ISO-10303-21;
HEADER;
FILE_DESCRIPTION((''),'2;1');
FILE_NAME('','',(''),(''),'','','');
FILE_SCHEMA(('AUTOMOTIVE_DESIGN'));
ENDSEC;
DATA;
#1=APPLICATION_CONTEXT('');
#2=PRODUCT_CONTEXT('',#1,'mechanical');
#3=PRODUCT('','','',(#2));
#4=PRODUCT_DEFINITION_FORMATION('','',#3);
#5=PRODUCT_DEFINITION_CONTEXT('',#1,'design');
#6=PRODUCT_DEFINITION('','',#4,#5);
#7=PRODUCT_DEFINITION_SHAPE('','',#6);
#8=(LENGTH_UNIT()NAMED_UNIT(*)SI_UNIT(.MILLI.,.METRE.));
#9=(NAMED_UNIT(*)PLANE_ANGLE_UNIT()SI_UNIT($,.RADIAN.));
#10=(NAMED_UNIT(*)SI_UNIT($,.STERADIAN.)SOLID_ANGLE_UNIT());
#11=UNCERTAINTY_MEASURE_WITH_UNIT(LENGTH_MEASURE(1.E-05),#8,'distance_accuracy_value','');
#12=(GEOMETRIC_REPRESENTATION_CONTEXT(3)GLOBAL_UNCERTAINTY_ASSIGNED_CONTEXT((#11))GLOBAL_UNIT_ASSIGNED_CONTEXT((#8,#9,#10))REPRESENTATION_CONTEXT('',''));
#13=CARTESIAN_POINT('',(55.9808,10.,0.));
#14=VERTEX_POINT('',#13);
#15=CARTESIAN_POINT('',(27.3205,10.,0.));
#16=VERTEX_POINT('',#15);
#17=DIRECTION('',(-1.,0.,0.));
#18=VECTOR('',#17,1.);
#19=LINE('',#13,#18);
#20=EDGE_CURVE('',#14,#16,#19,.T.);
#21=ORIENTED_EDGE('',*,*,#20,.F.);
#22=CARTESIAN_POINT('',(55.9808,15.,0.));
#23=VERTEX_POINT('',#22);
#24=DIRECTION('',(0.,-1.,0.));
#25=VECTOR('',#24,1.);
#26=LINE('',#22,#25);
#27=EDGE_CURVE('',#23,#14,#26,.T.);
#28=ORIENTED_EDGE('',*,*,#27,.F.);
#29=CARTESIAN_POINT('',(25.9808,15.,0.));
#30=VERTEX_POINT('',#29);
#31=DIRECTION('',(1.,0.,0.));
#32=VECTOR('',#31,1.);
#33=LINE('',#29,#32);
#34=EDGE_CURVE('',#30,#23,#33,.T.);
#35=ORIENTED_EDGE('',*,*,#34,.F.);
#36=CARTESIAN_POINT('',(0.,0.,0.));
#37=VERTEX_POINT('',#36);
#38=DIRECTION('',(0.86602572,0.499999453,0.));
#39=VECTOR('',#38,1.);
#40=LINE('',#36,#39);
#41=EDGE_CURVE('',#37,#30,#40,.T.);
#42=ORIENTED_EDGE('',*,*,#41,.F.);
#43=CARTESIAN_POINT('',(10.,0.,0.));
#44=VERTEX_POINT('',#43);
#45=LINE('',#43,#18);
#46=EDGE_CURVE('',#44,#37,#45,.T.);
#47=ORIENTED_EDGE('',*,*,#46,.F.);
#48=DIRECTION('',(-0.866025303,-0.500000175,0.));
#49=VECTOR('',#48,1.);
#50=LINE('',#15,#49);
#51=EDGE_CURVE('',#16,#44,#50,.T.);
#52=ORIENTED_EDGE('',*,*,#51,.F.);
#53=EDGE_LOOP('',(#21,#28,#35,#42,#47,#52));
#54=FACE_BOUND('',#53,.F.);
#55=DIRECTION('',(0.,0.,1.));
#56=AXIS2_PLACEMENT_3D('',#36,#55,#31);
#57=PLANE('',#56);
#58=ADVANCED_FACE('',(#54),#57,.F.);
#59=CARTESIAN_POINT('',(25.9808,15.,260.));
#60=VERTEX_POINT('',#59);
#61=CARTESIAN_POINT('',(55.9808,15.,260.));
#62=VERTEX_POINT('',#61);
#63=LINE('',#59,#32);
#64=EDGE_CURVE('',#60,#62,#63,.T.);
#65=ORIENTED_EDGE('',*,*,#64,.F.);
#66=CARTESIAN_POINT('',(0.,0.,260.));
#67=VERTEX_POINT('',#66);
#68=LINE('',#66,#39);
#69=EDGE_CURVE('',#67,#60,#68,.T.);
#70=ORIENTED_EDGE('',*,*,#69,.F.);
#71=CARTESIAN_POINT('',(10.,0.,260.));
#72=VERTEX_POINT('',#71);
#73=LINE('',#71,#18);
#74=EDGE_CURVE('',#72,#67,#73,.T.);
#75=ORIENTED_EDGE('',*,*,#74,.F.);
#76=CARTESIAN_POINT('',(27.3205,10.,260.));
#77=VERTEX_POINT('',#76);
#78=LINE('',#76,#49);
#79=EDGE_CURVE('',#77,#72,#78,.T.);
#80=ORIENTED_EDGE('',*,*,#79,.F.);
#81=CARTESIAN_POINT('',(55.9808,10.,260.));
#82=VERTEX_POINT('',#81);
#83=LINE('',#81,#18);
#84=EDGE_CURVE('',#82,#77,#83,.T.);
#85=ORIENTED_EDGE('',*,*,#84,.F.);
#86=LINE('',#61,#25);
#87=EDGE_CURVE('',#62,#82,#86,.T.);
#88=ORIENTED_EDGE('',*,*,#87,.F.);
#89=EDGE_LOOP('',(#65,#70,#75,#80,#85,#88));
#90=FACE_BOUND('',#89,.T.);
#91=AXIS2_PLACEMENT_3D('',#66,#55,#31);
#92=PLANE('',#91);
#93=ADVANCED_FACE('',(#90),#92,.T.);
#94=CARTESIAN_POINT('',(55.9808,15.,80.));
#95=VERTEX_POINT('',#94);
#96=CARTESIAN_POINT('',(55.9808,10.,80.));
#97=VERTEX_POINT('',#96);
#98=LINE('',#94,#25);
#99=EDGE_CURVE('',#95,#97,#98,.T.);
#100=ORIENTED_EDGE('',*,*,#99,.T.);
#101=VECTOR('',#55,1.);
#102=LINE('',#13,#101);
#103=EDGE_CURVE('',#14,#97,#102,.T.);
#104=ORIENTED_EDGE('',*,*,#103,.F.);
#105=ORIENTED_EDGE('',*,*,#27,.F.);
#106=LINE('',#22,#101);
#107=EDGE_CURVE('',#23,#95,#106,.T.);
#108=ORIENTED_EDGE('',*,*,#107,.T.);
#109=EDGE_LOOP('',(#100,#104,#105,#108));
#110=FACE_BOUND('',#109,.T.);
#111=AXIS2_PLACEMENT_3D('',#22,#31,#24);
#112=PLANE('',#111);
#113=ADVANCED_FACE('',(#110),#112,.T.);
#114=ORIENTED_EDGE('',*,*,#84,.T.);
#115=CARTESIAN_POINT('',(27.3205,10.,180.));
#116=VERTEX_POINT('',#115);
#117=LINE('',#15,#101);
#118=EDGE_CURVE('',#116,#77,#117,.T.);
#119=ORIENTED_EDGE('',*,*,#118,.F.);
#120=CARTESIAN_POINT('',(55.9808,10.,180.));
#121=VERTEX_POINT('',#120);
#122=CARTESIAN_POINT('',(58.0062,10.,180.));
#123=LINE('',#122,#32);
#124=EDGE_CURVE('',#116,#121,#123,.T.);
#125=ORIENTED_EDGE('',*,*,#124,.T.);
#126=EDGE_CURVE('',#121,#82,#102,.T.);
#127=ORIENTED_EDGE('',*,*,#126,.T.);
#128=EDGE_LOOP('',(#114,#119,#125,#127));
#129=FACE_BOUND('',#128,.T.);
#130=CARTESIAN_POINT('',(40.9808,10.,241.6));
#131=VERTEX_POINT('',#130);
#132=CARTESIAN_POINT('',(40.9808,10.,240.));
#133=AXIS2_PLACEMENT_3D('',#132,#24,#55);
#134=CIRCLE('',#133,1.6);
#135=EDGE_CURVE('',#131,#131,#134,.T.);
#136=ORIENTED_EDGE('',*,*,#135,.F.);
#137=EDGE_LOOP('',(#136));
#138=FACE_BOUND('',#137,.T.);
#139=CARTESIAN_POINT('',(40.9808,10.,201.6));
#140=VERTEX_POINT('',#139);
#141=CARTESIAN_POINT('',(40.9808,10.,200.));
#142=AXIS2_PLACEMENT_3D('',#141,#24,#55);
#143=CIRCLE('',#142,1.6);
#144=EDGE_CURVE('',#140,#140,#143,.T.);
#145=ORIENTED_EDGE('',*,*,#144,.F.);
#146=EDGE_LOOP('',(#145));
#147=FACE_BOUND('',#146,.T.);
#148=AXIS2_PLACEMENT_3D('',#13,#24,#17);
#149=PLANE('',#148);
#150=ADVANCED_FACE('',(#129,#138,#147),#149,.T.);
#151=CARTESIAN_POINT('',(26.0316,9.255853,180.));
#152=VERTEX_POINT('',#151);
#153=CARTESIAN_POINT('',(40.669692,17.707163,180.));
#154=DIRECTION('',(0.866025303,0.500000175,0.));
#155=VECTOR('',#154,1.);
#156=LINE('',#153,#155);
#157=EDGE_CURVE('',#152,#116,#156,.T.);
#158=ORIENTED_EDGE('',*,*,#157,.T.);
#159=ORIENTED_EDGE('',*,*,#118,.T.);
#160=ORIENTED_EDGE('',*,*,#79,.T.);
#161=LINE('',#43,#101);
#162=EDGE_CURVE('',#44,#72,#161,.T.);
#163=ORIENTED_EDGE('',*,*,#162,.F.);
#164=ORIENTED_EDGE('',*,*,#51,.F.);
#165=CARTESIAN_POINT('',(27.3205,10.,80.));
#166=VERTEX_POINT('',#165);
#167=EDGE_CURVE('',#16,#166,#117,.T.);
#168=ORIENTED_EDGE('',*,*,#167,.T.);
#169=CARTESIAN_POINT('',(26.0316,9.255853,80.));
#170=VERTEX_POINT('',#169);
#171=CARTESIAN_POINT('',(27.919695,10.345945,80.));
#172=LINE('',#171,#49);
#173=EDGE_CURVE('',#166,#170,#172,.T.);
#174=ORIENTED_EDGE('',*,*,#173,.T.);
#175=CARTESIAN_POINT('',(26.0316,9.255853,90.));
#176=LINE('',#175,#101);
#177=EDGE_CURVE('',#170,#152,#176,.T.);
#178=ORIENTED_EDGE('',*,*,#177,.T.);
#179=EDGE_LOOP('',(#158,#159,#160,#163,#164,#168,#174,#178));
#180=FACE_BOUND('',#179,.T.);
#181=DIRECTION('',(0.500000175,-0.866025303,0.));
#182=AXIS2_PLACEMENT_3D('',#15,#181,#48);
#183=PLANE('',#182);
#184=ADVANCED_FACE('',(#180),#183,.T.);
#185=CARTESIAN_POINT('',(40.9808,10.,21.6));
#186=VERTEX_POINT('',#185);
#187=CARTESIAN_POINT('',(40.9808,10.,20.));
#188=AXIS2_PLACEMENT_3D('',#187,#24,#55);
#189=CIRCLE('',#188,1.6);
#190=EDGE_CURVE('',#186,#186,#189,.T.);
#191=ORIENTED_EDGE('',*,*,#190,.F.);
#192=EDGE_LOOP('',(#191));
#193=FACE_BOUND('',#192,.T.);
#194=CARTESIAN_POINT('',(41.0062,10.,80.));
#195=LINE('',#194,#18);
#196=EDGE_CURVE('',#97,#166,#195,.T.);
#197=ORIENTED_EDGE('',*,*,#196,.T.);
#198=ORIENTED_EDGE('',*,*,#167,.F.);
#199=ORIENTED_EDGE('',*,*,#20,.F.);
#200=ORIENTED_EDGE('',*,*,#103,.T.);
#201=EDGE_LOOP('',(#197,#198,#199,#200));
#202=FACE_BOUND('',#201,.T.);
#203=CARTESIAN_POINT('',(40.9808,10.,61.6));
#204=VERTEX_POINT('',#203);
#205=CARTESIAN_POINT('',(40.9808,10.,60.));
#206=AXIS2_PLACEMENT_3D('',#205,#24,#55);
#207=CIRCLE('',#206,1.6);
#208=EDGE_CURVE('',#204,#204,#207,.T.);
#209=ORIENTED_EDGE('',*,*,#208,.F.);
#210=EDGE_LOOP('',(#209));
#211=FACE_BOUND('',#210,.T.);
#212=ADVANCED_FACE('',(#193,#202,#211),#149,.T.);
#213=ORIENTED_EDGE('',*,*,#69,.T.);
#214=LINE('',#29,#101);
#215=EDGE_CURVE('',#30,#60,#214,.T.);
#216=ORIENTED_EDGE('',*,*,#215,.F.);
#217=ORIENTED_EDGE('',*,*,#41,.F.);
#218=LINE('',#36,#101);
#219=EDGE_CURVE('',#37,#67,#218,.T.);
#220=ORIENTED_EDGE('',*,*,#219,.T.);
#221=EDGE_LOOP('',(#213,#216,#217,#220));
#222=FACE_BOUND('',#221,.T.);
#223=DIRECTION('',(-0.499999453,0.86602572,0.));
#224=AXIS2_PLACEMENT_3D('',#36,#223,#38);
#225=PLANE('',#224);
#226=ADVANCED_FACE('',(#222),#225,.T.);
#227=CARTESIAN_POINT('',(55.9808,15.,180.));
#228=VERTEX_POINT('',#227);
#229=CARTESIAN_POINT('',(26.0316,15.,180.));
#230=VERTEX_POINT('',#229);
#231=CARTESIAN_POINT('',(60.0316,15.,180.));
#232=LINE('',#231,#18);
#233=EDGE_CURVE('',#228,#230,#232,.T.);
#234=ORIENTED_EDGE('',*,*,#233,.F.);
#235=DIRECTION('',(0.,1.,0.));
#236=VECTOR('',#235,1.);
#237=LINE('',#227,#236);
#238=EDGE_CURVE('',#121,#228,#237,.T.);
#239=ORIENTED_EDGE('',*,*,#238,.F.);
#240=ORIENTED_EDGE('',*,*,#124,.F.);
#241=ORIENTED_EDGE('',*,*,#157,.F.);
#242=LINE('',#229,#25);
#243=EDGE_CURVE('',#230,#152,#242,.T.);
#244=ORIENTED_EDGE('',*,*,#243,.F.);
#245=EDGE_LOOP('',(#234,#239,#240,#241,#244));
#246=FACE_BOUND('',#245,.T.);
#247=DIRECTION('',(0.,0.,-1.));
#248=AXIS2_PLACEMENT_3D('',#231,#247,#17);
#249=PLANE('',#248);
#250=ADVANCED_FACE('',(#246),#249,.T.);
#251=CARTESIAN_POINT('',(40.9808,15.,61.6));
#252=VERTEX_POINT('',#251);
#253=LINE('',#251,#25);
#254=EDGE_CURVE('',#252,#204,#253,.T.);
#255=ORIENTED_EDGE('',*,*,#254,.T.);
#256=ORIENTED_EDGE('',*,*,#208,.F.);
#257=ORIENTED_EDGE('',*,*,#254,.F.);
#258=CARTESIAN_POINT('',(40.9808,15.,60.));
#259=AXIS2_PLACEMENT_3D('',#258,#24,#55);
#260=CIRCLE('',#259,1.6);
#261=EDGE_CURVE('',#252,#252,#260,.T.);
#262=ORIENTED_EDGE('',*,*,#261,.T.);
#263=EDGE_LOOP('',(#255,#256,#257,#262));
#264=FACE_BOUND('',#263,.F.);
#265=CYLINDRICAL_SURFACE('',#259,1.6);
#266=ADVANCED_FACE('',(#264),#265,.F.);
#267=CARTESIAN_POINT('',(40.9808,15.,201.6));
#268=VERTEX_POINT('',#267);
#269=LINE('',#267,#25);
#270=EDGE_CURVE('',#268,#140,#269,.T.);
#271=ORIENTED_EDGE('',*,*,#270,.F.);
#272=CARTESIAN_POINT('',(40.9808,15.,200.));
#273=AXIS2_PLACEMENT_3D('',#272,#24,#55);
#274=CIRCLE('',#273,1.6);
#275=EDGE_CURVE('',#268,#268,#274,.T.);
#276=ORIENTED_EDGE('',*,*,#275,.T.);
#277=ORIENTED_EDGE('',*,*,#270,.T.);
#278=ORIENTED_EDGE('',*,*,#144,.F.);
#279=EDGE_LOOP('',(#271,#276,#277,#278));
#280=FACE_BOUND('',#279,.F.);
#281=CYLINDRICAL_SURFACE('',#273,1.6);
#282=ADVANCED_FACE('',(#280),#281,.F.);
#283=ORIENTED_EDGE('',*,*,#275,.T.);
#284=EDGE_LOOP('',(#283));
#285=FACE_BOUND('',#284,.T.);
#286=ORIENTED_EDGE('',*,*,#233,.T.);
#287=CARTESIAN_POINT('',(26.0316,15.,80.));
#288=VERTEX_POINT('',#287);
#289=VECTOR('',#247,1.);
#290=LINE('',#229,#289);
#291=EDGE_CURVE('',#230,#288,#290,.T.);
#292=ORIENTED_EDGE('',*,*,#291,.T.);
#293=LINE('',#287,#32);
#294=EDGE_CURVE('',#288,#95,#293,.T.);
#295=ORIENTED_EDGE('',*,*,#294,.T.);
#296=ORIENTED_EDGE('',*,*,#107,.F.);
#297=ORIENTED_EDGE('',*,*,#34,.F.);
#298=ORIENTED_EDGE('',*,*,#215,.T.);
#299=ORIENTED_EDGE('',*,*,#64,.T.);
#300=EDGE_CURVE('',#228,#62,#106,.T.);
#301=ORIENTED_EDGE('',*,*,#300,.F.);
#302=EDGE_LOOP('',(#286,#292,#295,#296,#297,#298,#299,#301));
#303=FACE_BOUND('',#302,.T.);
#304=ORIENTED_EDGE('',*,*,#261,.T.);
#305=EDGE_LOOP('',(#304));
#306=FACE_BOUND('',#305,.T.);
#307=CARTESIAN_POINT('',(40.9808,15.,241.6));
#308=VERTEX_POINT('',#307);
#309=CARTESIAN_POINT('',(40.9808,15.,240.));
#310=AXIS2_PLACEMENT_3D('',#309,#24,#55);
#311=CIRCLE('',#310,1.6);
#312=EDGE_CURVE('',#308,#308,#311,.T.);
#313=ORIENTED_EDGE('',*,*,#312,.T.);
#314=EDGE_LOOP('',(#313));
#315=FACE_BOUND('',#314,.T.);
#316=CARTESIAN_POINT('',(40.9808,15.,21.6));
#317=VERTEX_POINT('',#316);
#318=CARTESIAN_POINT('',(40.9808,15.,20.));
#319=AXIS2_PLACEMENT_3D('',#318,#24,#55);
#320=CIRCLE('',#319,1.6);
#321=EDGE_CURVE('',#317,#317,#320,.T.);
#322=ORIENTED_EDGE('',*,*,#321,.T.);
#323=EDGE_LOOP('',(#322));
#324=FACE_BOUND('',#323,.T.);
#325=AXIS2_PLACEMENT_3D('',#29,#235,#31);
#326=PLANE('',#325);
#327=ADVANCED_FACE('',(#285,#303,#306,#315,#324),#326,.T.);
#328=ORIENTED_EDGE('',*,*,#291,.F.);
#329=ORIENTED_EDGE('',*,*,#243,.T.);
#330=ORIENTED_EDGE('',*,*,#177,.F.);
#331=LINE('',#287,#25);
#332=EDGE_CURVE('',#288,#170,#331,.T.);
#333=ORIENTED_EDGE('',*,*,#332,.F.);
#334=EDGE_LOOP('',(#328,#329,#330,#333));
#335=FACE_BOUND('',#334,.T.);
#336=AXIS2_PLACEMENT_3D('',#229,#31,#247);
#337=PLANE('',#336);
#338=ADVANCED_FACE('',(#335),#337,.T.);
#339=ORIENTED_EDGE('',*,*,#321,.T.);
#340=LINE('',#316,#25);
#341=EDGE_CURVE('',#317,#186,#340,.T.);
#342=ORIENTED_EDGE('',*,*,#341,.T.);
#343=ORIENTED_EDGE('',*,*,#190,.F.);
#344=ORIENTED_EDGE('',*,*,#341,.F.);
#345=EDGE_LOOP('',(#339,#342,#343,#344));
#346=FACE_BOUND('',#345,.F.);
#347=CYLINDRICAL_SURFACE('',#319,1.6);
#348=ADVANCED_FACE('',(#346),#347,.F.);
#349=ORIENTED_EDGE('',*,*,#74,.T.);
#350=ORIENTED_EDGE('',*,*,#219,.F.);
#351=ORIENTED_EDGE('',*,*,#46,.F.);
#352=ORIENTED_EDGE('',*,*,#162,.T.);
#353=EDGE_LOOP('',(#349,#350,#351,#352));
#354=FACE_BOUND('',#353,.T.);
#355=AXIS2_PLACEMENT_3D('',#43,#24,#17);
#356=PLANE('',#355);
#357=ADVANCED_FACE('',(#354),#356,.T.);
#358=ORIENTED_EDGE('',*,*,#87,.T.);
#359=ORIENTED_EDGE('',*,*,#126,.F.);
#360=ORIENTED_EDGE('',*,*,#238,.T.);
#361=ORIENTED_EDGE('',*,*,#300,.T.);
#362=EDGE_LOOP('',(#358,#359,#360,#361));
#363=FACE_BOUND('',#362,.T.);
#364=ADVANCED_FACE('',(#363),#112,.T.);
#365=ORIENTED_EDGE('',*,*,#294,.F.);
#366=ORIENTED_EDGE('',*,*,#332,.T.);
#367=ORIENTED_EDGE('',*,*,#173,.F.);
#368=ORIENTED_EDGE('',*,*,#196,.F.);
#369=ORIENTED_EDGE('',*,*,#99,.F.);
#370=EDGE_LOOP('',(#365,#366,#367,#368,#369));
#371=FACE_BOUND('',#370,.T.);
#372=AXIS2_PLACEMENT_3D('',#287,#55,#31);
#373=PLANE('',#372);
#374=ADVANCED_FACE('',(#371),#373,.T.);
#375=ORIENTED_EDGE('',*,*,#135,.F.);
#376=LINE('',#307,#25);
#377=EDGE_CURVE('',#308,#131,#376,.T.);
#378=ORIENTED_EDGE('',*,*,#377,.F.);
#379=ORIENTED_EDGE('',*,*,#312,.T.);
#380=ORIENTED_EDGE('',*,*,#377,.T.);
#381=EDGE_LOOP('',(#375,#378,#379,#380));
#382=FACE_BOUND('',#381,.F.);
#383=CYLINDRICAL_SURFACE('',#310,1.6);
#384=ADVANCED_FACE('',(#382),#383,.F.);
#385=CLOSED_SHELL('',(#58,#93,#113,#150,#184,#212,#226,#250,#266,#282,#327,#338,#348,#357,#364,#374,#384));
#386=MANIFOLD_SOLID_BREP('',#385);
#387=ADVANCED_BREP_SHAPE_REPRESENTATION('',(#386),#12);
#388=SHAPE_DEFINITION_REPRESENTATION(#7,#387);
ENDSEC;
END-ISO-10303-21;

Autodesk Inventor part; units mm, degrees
ref_plane "YZ Plane" through (0, 0, 0) normal (1, 0, 0) x (0, 1, 0)
ref_plane "XZ Plane" through (0, 0, 0) normal (0, 1, 0) x (-1, 0, 0)
ref_plane "XY Plane" through (0, 0, 0) normal (0, 0, 1) x (1, 0, 0)
sketch "スケッチ1" plane through (0, 0, 0) normal (0, 0, 1) x (1, 0, 0)
  line L0 (0, 0) -> (25.9808, 15)
  line L1 (25.9808, 15) -> (55.9808, 15)
  line L2 (55.9808, 15) -> (55.9808, 10)
  line L3 (55.9808, 10) -> (27.3205, 10)
  line L4 (27.3205, 10) -> (10, 0)
  line L5 (10, 0) -> (0, 0)
  dimension "d0" = 15
  dimension "d1" = 5
  dimension "d2" = 5
  dimension "d3" = 30
  dimension "d21" = 30
extrude "押し出し1" add sketch "スケッチ1" along normal blind 260
sketch "スケッチ2" plane through (25.9808, 15, 0) normal (0, 1, 0) x (1, 0, 0)
  line L0 (0.0508, -80) -> (34.0508, -80)
  line L1 (34.0508, -80) -> (34.0508, -180)
  line L2 (34.0508, -180) -> (0.0508, -180)
  line L3 (0.0508, -180) -> (0.0508, -80)
  line L4 (30, 0) -> (0, 0) projected
  line L5 (30, -260) -> (0, -260) projected
  point P0 (-25.9808, 0)
  point P1 (15, 0)
  point P2 (17.0508, -180)
  point P3 (15, -260)
  dimension "d7" = 80
  dimension "d8" = 80
  dimension "d22" = 34
extrude "押し出し2" cut sketch "スケッチ2" against normal blind 300
sketch "スケッチ3" plane through (25.9808, 15, 0) normal (0, 1, 0) x (1, 0, 0)
  line L0 (30, 0) -> (30, -260) projected
  line L1 (30, 0) -> (0, 0) projected
  line L2 (30, -260) -> (0, -260) projected
  point P0 (-25.9808, 0)
  point P1 (15, -20)
  point P2 (15, -200)
  point P3 (30, -80)
  point P4 (15, -60)
  point P5 (15, -240)
  point P6 (15, -260)
  dimension "d12" = 15
  dimension "d13" = 20
  dimension "d23" = 40
  dimension "d24" = 20
  dimension "d25" = 40
hole "穴1" at (40.9808, 15, 20) at (40.9808, 15, 200) at (40.9808, 15, 60) at (40.9808, 15, 240) direction (0, -1, 0) diameter 3.2 depth 10 tip angle 118
properties part number "バンパー"
